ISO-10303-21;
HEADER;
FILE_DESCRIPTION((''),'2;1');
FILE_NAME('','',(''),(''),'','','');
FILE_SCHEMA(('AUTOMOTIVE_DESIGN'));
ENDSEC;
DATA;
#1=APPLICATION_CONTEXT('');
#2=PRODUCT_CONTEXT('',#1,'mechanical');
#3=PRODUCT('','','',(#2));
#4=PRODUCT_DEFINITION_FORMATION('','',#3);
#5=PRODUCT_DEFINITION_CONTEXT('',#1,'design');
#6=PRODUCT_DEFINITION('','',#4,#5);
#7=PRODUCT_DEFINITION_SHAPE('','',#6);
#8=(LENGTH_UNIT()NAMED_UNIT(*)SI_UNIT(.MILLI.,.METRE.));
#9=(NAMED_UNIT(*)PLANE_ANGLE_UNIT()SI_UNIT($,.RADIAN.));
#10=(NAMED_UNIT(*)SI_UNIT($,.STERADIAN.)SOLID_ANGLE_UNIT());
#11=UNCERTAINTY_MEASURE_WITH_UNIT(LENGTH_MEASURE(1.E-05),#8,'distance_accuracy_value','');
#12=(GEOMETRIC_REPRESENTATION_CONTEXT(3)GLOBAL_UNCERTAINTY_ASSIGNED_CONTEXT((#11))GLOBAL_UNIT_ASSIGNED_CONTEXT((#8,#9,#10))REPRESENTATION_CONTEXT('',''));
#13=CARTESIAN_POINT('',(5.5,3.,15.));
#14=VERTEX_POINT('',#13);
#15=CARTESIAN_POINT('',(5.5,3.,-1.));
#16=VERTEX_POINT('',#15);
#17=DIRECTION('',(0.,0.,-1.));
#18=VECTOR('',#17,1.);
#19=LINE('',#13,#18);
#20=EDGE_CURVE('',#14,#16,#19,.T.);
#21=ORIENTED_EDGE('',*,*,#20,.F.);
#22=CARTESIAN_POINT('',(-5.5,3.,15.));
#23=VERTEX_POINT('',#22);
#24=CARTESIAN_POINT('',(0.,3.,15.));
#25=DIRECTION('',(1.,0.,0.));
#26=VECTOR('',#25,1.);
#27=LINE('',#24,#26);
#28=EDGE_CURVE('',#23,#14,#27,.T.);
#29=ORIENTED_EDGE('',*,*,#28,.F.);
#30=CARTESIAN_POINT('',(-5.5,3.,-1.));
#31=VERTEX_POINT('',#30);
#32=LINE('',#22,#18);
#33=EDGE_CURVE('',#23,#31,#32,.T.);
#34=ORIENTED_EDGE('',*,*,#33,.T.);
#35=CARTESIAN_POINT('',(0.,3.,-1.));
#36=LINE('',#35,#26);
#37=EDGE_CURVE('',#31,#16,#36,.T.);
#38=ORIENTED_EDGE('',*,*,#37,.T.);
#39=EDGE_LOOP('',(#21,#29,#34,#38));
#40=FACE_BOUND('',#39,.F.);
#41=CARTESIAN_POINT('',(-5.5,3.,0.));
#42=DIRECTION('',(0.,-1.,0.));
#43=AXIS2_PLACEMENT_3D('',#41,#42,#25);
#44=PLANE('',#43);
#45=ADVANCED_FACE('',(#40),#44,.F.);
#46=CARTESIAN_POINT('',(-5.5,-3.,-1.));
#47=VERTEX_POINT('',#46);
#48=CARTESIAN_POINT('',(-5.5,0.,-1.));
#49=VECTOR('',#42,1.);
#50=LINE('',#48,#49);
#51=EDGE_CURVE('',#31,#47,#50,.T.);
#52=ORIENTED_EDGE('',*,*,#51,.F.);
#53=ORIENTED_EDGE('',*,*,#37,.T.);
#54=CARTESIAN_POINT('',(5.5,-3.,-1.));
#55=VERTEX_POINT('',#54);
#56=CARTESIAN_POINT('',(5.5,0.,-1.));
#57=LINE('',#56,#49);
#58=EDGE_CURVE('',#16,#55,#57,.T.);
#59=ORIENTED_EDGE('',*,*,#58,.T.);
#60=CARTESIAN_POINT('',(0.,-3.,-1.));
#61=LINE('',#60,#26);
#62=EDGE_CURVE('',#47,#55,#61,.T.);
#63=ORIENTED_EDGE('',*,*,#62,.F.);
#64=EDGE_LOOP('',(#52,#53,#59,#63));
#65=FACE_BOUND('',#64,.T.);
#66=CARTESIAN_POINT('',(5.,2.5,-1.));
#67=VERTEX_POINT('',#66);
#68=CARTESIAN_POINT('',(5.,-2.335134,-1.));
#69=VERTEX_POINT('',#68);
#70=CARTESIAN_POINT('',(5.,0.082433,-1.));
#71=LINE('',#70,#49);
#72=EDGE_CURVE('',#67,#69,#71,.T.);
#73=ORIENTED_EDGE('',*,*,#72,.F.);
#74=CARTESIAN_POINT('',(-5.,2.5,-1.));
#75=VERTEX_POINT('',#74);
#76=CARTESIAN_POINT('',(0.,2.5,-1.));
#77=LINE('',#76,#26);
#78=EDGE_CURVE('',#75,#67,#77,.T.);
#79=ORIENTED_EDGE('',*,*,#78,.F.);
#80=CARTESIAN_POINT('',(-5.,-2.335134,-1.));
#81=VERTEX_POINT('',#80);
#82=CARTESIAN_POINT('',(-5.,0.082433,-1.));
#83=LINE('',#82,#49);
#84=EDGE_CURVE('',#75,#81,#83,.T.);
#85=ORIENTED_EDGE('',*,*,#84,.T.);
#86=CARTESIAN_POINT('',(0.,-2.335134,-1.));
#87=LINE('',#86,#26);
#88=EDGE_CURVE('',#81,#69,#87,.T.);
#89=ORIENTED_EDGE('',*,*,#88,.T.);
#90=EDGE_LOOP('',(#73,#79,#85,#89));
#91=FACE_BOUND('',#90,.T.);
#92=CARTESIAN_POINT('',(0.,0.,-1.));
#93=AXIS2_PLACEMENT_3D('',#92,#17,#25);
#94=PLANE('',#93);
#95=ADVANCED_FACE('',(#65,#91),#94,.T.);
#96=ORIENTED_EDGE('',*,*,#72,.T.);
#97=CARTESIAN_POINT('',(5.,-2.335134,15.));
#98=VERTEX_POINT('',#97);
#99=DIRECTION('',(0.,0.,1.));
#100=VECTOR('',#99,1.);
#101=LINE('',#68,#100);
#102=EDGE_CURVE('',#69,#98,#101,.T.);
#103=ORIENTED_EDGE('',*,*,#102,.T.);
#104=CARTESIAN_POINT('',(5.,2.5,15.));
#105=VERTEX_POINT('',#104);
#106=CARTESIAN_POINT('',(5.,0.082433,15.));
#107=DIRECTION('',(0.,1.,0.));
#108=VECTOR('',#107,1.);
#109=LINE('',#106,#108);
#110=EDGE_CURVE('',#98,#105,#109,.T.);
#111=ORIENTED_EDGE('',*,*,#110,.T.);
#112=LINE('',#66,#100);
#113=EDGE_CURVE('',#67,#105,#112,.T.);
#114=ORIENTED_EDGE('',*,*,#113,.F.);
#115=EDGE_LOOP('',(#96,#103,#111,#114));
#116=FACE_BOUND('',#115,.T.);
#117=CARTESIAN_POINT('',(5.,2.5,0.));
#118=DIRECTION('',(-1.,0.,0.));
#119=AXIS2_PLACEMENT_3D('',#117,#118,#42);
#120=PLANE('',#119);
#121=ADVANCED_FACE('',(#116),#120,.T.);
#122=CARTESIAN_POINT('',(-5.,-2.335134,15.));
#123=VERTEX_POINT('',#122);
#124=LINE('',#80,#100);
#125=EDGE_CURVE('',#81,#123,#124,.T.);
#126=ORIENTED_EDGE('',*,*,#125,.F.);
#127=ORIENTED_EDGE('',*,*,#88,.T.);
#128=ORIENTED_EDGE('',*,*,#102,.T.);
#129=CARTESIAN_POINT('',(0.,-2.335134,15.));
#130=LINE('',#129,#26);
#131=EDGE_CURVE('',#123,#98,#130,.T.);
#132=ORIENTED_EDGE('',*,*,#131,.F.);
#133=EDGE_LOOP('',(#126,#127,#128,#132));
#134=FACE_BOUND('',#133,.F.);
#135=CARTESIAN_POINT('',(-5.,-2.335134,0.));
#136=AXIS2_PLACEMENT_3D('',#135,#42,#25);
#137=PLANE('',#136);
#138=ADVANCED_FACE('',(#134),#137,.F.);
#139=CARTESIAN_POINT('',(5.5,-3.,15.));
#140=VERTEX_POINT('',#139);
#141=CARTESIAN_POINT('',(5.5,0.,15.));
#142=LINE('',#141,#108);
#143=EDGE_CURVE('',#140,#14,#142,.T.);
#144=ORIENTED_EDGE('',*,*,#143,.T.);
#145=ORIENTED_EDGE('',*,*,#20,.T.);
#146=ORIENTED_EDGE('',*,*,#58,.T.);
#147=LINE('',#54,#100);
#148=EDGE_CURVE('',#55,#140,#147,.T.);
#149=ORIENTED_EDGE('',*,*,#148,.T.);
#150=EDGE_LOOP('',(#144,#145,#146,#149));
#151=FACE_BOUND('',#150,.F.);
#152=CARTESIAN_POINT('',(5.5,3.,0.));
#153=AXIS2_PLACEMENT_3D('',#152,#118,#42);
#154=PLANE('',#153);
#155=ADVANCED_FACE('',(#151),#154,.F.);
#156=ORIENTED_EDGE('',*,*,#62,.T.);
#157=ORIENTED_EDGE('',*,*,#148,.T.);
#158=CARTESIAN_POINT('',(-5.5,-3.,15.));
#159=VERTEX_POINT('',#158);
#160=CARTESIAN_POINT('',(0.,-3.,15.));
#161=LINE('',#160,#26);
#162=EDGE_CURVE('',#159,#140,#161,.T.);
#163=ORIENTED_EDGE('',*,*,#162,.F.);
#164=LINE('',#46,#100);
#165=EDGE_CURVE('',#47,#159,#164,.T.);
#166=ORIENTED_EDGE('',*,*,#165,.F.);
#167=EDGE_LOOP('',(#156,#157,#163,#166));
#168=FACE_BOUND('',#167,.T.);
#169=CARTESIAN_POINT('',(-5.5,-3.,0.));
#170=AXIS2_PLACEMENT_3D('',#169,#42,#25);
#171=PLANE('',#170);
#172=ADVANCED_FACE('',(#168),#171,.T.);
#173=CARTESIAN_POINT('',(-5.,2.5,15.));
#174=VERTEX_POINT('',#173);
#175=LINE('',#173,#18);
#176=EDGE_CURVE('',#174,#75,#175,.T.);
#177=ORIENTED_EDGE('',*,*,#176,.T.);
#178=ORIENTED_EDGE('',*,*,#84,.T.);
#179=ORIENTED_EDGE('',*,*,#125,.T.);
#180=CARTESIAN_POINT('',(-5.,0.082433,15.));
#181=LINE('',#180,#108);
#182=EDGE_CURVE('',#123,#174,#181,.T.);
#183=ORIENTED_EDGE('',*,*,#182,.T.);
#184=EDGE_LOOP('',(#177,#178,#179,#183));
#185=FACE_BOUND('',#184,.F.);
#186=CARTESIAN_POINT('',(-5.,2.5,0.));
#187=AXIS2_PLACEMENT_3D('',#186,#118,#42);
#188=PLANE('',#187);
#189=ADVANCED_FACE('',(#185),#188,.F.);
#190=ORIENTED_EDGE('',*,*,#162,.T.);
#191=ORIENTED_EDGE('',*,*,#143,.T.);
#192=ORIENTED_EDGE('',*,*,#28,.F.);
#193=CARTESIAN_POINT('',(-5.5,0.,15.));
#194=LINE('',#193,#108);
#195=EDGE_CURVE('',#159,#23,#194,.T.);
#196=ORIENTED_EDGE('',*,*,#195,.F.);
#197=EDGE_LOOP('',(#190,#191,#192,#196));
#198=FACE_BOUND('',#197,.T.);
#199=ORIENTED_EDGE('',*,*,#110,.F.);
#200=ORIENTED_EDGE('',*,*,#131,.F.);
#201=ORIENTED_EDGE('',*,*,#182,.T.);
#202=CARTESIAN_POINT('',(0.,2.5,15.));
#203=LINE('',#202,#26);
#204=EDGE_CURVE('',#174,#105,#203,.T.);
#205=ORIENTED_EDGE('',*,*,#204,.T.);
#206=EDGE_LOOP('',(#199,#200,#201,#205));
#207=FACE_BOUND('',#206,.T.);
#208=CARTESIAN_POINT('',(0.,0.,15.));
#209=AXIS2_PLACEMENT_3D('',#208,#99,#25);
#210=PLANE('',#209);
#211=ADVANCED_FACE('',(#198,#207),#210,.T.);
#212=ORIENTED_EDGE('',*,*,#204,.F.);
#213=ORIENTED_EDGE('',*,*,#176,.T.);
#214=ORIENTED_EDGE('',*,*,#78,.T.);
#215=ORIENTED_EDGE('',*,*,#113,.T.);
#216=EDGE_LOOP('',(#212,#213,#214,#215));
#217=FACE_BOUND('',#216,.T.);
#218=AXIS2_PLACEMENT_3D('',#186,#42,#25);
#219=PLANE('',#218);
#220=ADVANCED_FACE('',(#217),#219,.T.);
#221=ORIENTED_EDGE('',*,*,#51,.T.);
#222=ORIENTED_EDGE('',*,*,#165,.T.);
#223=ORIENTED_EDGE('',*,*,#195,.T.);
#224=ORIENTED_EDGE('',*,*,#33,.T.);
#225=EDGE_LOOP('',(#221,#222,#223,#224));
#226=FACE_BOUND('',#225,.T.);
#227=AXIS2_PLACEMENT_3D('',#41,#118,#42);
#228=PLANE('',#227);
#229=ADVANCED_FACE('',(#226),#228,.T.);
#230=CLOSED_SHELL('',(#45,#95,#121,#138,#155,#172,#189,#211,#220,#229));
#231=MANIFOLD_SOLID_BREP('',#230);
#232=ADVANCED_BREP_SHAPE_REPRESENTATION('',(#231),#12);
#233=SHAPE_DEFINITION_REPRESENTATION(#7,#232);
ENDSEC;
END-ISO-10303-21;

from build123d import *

# Parameters (mm, degrees)
F0_W        = 11
F0_H        = 6
F0_W_2      = 10
F0_H_2      = 4.835134
F1_DEPTH    = 15
F1_FACE_W   = 11
F1_FACE_H   = 6
F1_FACE_W_2 = 10
F1_FACE_H_2 = 4.835134
F2_DEPTH    = 1


with BuildPart() as f1:
    # F0 (on Top) → F1 (new body)
    with BuildSketch(Plane.XY):
        Rectangle(F0_W, F0_H)
        with Locations((0, 0.082433)):
            Rectangle(F0_W_2, F0_H_2, mode=Mode.SUBTRACT)
    extrude(amount=F1_DEPTH)

    # F1_face (on face) → F2 (join)
    with BuildSketch(Plane(origin=(0, -0.225839, 0), x_dir=(1, 0, 0), z_dir=(0, 0, -1))):
        with Locations((0, -0.225839)):
            Rectangle(F1_FACE_W, F1_FACE_H)
        with Locations((0, -0.308272)):
            Rectangle(F1_FACE_W_2, F1_FACE_H_2, mode=Mode.SUBTRACT)
    extrude(amount=F2_DEPTH)


solid = f1.part
